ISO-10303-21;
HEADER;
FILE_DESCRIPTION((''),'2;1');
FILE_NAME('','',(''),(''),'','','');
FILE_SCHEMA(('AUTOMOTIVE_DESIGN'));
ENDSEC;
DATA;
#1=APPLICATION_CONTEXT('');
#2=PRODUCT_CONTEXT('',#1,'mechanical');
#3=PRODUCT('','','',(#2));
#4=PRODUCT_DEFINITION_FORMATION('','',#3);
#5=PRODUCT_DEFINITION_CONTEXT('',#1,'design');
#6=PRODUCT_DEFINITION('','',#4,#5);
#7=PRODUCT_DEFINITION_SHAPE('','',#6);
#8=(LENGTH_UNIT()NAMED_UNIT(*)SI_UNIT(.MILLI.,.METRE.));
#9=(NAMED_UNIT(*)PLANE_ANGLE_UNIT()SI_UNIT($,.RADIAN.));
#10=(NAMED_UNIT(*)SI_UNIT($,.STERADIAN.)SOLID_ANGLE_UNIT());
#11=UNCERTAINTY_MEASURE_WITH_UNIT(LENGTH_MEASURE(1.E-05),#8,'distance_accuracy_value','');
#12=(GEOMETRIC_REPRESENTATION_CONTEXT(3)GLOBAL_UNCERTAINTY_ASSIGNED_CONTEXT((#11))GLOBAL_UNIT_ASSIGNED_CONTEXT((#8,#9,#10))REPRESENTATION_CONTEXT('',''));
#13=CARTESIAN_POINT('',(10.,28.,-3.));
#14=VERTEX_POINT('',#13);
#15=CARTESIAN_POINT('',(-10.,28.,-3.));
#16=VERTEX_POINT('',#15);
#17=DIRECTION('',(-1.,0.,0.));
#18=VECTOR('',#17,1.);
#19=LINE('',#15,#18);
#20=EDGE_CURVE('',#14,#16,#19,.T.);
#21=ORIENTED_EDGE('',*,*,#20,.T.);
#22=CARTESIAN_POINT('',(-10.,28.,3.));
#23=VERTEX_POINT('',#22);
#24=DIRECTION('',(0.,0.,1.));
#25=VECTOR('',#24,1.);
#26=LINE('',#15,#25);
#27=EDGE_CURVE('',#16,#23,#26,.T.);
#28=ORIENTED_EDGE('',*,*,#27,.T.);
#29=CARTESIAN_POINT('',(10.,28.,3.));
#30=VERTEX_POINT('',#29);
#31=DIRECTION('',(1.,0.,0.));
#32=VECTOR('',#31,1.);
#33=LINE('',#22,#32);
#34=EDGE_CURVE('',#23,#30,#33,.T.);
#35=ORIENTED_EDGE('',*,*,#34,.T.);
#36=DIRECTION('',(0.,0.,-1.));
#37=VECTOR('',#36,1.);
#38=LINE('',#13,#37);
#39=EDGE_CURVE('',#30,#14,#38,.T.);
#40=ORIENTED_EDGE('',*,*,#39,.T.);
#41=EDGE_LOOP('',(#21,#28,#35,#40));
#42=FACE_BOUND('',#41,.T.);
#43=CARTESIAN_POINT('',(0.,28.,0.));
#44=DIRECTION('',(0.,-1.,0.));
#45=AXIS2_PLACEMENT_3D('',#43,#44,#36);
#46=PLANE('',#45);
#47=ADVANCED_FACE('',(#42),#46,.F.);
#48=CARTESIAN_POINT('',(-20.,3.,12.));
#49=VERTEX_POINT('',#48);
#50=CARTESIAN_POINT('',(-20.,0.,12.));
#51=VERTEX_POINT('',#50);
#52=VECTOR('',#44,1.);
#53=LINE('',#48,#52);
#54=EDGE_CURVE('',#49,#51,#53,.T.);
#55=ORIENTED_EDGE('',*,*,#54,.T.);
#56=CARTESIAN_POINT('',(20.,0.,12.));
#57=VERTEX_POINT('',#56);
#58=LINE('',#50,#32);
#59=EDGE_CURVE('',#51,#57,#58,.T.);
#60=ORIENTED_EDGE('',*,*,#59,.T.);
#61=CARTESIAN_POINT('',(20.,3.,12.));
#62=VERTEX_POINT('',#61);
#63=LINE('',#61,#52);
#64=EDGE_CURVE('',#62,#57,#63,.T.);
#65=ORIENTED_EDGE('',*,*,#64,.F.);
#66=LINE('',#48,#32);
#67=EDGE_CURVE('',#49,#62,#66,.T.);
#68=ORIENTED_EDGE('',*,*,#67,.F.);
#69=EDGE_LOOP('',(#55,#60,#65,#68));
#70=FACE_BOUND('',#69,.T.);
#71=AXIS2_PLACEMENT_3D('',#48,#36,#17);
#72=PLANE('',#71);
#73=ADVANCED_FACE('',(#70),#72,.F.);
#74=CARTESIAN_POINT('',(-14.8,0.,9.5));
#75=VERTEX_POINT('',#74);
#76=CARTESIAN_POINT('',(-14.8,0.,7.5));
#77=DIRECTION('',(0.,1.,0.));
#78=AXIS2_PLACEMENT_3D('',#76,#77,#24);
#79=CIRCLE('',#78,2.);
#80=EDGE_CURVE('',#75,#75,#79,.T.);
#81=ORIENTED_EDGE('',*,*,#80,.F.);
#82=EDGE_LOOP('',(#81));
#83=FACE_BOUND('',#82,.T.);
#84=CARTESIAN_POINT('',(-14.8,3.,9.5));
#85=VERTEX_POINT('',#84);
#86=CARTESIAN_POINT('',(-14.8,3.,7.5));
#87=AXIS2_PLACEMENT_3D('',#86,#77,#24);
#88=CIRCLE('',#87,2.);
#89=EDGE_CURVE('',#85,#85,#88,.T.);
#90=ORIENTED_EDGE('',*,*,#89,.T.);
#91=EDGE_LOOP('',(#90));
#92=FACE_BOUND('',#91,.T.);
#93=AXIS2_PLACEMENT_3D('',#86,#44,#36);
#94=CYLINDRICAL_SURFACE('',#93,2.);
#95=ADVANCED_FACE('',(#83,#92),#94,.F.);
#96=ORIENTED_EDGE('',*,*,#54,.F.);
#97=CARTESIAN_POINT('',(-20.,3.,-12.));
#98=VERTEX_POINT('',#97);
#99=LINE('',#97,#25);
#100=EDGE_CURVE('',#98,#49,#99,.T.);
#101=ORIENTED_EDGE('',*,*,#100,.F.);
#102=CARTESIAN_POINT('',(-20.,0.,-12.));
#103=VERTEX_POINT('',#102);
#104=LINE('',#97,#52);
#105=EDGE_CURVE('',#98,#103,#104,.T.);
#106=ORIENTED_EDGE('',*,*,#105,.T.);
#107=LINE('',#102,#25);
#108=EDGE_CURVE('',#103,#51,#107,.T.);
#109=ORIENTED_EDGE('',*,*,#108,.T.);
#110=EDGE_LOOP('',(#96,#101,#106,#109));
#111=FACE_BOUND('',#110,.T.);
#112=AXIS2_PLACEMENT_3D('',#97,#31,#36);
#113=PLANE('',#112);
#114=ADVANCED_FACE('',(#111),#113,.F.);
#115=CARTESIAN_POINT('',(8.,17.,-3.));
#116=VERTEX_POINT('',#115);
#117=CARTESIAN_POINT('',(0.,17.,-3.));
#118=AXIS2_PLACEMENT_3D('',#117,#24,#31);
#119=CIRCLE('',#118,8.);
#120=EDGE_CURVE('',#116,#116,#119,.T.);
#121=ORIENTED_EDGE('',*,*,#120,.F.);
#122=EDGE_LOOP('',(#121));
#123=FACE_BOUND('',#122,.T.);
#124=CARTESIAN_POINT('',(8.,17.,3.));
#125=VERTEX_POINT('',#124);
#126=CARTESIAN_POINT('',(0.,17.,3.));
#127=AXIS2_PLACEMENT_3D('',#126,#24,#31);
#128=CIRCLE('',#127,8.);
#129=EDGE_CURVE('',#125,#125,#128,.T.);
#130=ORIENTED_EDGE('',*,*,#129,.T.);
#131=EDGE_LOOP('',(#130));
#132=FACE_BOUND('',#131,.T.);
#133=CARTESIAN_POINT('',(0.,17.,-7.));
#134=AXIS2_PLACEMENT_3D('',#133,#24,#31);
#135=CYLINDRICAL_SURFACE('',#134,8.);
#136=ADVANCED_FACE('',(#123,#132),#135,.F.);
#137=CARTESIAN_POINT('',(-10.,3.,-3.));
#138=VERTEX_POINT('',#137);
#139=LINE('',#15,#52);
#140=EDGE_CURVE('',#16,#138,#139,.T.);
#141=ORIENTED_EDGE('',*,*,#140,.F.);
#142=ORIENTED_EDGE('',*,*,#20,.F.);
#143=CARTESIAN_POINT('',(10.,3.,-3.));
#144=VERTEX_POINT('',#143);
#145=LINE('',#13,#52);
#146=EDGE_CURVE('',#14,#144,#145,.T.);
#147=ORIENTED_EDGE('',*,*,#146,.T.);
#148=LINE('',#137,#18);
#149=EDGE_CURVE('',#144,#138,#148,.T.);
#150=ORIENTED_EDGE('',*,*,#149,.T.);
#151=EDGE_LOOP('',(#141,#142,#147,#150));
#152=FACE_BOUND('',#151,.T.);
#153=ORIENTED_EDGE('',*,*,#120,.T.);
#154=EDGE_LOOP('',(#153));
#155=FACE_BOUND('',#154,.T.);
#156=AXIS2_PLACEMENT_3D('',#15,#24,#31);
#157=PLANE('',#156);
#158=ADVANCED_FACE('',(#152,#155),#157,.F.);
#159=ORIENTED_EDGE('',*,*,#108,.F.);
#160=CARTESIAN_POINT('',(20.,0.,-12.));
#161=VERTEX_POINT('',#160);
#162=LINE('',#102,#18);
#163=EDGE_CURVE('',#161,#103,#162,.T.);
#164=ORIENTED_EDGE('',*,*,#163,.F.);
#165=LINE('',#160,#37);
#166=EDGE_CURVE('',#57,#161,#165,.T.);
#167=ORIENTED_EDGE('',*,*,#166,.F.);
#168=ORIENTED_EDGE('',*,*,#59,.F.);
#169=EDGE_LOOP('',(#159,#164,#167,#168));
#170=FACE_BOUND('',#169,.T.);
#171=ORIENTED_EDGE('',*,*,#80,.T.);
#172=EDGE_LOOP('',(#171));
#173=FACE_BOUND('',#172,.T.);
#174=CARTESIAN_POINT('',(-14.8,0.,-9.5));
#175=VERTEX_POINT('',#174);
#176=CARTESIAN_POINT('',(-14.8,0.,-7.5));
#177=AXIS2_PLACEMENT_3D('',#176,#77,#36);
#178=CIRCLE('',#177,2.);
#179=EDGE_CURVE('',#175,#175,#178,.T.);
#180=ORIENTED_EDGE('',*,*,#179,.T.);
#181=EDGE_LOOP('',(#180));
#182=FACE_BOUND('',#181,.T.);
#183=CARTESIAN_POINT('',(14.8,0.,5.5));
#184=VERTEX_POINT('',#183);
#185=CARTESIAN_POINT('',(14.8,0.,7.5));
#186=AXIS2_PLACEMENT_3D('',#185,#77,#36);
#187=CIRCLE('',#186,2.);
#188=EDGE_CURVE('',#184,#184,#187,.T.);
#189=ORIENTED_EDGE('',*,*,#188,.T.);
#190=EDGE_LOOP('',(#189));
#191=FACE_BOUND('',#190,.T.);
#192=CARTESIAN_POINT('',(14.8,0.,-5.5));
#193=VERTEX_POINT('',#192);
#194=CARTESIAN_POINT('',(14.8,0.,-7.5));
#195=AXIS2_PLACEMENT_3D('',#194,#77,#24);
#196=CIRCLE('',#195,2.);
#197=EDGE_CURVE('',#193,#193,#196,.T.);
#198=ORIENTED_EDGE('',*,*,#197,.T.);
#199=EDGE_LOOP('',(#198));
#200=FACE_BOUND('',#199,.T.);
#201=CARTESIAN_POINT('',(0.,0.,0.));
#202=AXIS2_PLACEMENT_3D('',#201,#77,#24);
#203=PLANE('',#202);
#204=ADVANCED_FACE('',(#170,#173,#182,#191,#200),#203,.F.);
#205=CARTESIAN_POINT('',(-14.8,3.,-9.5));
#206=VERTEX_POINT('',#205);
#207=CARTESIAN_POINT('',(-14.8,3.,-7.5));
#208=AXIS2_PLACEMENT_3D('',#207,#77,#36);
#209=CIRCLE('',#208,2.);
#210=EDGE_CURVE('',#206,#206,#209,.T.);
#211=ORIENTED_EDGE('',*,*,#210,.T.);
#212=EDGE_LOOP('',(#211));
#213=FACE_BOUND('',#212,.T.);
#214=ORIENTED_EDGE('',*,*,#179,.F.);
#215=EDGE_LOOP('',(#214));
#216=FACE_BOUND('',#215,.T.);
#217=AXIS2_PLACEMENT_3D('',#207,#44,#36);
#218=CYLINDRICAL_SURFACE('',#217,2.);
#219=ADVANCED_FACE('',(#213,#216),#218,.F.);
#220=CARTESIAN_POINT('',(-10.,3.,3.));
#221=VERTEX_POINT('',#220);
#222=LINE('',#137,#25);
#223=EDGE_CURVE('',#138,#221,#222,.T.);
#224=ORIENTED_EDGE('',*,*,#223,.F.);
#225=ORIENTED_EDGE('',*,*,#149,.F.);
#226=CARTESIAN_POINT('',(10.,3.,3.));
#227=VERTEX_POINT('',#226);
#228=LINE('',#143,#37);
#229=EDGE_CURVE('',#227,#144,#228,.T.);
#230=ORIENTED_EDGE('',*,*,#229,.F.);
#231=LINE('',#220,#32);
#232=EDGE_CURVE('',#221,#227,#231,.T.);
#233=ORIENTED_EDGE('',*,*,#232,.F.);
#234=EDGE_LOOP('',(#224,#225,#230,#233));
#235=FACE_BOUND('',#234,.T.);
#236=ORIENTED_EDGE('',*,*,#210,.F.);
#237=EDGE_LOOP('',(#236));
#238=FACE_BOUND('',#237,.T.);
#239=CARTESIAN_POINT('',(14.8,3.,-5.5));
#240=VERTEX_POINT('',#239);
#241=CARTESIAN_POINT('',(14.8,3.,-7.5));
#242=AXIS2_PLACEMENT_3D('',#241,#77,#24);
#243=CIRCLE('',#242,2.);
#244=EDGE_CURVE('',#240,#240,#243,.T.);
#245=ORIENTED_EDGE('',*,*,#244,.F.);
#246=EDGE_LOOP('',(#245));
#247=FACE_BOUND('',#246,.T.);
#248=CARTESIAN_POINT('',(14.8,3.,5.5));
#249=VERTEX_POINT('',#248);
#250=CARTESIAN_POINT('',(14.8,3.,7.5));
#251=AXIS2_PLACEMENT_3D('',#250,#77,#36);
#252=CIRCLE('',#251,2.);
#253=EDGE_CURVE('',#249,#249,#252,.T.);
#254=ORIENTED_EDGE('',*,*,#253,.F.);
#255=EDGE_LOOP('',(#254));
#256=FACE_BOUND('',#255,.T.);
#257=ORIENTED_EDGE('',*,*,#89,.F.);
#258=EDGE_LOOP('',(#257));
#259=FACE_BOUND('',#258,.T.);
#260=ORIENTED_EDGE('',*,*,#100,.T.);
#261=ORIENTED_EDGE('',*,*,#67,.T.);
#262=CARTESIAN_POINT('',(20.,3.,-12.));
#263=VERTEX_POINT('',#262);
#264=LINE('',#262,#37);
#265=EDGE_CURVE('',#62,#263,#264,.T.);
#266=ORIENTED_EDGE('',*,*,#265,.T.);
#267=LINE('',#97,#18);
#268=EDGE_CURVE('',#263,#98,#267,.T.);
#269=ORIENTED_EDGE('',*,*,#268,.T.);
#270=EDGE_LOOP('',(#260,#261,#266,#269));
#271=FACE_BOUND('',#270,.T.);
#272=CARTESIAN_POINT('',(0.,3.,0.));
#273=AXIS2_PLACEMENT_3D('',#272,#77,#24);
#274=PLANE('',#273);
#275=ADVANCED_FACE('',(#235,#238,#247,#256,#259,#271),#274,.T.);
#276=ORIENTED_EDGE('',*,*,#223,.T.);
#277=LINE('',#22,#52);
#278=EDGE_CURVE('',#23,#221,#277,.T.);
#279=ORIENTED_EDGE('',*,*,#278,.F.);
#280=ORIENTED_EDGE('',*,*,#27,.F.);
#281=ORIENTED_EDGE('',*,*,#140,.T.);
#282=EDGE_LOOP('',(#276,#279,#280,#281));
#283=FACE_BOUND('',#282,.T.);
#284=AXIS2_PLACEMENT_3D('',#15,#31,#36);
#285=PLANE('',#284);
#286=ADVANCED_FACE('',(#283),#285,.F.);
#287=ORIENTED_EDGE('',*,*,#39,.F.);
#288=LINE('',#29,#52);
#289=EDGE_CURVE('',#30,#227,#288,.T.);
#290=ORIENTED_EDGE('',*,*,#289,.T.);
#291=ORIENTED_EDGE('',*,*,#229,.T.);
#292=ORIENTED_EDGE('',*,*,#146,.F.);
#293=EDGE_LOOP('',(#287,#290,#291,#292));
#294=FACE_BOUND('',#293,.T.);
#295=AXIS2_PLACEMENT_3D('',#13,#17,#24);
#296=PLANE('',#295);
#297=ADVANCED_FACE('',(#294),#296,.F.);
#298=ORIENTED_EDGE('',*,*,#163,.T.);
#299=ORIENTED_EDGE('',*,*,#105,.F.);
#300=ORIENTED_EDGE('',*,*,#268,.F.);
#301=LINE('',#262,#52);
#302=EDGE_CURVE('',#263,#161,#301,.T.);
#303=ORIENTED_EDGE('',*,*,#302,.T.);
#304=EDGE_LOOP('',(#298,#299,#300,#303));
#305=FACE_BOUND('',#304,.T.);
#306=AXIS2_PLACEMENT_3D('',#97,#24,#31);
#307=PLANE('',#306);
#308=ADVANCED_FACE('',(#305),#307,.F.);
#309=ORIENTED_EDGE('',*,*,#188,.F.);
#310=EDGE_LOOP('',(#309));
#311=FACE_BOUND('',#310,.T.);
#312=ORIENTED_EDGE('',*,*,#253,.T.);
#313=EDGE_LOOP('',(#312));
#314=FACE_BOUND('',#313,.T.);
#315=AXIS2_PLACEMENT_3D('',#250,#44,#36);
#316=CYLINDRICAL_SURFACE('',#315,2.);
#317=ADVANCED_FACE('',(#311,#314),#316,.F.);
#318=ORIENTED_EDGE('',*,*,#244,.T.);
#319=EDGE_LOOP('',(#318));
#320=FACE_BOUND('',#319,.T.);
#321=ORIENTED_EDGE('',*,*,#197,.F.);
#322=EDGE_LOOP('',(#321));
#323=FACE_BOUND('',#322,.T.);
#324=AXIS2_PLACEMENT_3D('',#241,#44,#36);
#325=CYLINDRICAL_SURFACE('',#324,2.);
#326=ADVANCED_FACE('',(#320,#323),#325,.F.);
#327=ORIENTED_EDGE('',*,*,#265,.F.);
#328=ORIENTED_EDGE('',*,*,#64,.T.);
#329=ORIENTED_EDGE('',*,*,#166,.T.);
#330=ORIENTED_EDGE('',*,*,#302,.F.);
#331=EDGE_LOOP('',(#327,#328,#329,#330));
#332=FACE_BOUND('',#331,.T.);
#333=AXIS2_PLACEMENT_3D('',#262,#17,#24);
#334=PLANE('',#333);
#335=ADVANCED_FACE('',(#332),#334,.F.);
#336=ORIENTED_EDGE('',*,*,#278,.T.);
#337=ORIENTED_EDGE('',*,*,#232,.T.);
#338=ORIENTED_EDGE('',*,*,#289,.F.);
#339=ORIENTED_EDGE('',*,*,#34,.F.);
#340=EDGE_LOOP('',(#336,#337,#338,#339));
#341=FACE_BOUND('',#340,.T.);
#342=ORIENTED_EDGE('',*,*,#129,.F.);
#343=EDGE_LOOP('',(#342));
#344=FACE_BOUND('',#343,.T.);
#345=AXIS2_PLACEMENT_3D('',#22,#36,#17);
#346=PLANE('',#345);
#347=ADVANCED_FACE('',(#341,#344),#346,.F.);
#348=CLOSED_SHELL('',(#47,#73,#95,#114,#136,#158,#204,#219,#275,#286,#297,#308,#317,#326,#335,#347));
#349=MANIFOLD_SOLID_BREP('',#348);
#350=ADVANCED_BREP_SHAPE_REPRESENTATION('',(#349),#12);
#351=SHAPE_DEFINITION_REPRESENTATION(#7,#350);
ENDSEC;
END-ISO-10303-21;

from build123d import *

# Parameters (mm, degrees)
SKETCH_1_W          = 40
SKETCH_1_H          = 24
SKETCH_1_R          = 2
EXTRUDE_1_DEPTH     = 3
SKETCH_2_W          = 20
SKETCH_2_H          = 6
EXTRUDE_2_DEPTH     = 25
SKETCH_3_R          = 8
CUT_EXTRUDE_1_DEPTH = 10


with BuildPart() as part:
    # 草图1 → 凸台-拉伸1 (new body)
    with BuildSketch(Plane(origin=(0, 0, 0), x_dir=(1, 0, 0), z_dir=(0, 1, 0))):
        Rectangle(SKETCH_1_W, SKETCH_1_H)
        with Locations((-14.8, -7.5)):
            Circle(SKETCH_1_R, mode=Mode.SUBTRACT)
        with Locations((14.8, -7.5)):
            Circle(SKETCH_1_R, mode=Mode.SUBTRACT)
        with Locations((-14.8, 7.5)):
            Circle(SKETCH_1_R, mode=Mode.SUBTRACT)
        with Locations((14.8, 7.5)):
            Circle(SKETCH_1_R, mode=Mode.SUBTRACT)
    extrude(amount=EXTRUDE_1_DEPTH)

    # 草图2 → 凸台-拉伸2 (add)
    with BuildSketch(Plane(origin=(0, 3, 0), x_dir=(1, 0, 0), z_dir=(0, 1, 0))):
        Rectangle(SKETCH_2_W, SKETCH_2_H)
    extrude(amount=EXTRUDE_2_DEPTH)

    # 草图3 → 切除-拉伸1 (cut)
    with BuildSketch(Plane.XY.offset(3)):
        with Locations((0, 17)):
            Circle(SKETCH_3_R)
    extrude(amount=-CUT_EXTRUDE_1_DEPTH, mode=Mode.SUBTRACT)


solid = part.part
